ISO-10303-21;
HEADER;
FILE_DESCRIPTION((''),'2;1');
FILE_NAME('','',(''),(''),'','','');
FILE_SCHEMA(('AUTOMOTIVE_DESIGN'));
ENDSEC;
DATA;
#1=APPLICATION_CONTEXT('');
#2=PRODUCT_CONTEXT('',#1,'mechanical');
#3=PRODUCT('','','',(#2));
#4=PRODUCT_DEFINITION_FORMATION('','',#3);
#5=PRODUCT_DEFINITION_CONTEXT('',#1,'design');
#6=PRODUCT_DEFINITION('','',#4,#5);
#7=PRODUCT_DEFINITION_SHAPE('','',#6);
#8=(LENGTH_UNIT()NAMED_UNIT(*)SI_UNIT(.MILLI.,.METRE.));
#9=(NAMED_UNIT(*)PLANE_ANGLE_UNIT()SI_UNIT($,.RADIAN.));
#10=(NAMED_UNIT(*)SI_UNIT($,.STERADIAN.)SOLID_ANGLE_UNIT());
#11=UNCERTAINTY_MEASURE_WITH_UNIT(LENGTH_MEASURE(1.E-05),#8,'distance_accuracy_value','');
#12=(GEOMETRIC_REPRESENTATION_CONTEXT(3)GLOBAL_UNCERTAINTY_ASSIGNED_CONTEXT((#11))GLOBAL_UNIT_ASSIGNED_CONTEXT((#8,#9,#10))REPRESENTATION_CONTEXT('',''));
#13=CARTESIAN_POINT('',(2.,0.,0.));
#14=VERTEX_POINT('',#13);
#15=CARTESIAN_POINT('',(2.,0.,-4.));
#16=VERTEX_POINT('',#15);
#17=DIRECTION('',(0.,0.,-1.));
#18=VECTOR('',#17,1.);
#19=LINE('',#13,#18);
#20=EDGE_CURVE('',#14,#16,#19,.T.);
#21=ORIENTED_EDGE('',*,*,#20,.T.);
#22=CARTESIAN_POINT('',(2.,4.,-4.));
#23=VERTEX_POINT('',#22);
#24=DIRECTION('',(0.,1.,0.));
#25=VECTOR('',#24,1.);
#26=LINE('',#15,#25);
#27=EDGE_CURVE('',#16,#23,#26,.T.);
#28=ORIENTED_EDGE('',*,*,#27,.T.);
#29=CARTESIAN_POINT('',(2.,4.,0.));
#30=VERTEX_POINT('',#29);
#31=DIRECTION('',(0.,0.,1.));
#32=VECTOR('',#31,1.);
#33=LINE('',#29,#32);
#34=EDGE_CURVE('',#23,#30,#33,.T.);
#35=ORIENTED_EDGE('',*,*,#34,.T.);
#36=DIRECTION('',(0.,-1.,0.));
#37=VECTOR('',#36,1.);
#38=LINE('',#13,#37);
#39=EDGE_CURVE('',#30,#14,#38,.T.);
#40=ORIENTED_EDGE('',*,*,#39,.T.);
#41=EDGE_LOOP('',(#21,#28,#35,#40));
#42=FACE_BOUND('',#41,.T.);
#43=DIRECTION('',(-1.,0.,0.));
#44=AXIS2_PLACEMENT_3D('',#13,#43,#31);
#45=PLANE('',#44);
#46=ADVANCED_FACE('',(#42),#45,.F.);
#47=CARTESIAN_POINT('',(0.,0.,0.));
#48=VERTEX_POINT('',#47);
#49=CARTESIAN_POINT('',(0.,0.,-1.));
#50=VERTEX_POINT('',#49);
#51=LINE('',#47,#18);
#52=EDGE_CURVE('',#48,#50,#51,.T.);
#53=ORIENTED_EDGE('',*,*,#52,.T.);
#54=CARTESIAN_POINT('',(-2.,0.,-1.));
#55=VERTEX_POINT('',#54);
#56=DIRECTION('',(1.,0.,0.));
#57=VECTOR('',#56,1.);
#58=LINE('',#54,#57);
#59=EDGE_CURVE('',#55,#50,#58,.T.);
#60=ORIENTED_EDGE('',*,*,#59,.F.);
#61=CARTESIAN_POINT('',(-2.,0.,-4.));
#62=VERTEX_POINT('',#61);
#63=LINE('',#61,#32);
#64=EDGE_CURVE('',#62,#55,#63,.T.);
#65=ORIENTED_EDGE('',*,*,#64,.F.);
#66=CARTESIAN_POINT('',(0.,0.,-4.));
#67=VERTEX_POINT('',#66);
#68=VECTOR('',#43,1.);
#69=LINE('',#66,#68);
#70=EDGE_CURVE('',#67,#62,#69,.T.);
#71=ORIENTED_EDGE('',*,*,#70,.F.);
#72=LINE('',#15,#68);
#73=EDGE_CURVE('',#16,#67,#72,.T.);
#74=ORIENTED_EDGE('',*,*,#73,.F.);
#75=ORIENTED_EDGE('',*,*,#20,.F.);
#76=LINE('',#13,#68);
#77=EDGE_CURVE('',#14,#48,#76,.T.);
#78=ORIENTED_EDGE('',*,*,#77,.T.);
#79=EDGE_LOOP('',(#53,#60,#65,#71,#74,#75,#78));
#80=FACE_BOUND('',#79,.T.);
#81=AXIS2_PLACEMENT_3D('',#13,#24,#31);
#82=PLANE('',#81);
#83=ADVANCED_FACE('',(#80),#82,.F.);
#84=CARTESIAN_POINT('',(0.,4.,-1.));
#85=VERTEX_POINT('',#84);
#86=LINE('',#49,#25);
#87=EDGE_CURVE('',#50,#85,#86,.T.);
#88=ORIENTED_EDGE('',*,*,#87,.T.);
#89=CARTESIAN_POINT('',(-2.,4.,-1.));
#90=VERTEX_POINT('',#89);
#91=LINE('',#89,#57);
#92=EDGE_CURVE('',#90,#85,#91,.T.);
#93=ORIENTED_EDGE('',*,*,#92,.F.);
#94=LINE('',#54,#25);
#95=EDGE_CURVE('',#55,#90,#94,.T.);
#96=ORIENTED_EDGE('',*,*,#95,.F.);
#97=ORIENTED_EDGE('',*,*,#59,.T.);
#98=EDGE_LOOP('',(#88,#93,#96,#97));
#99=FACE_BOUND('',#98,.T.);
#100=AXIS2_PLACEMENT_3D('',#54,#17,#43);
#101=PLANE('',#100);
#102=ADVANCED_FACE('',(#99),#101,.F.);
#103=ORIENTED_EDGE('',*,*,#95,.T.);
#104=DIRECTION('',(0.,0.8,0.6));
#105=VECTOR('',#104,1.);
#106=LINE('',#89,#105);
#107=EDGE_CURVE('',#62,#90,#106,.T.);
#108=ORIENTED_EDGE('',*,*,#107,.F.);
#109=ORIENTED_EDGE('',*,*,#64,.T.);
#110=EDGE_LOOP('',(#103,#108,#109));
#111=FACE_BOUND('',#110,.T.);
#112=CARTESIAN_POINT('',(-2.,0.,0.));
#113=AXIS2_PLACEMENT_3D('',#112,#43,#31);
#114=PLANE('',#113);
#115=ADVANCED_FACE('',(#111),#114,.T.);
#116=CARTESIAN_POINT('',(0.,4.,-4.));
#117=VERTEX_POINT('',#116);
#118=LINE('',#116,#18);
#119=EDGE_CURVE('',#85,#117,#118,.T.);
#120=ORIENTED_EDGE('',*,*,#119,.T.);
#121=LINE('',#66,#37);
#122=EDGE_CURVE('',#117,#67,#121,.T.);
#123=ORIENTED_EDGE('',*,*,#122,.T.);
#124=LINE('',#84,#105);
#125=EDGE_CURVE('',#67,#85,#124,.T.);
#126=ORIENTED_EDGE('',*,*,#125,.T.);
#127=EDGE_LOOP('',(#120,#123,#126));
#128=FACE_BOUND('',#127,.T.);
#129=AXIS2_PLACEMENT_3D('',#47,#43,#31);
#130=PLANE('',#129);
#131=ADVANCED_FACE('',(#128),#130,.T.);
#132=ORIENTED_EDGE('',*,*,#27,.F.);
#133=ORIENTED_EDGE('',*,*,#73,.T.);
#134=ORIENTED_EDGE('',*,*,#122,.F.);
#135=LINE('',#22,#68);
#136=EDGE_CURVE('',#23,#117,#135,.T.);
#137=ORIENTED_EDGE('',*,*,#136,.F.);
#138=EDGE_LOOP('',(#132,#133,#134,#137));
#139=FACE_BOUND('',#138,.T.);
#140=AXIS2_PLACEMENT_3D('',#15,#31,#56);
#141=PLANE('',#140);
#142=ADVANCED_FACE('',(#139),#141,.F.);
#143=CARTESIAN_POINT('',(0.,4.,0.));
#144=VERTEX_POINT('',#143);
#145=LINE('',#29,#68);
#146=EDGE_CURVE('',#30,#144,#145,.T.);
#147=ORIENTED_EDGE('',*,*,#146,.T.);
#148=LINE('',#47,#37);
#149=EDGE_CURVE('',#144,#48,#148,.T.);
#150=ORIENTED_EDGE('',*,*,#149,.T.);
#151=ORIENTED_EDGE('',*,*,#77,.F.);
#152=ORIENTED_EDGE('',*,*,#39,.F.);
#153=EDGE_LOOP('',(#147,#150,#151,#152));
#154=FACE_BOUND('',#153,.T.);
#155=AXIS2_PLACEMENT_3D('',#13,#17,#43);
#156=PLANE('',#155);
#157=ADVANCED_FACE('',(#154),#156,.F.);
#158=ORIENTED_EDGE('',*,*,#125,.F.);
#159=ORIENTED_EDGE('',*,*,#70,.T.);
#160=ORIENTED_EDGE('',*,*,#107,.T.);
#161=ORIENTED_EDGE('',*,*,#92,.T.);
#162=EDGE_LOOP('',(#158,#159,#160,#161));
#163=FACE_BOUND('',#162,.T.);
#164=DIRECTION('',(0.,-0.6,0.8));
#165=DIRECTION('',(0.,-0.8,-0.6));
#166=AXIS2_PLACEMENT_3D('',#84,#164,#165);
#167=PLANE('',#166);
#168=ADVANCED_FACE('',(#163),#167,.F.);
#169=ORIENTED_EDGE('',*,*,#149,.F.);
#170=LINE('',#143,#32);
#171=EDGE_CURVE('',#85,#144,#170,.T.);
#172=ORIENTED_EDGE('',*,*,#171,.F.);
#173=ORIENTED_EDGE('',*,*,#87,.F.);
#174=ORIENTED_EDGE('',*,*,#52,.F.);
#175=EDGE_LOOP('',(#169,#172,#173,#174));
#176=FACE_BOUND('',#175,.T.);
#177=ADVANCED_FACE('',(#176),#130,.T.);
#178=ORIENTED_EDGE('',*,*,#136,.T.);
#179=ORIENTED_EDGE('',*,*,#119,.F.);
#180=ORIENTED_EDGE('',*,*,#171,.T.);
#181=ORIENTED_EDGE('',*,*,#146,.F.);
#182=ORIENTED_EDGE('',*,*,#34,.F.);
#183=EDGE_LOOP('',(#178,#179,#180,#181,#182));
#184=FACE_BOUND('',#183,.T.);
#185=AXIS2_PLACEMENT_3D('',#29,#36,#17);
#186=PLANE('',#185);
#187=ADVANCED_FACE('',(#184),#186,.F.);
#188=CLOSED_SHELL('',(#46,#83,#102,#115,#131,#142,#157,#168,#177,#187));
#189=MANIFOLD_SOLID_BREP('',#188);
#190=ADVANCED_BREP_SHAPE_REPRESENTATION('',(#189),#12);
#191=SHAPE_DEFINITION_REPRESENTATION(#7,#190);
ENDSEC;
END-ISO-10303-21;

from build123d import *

# Parameters (mm, degrees)
SKETCH1_W           = 4
SKETCH1_H           = 4
BOSS_EXTRUDE1_DEPTH = 2
SKETCH2_W           = 3
SKETCH2_H           = 4
BOSS_EXTRUDE2_DEPTH = 2
CUT_EXTRUDE1_DEPTH  = 2


with BuildPart() as part:
    # Sketch1 → Boss-Extrude1 (new body)
    with BuildSketch(Plane(origin=(0, 0, 0), x_dir=(0, 0, -1), z_dir=(1, 0, 0))):
        with Locations((2, 2)):
            Rectangle(SKETCH1_W, SKETCH1_H)
    extrude(amount=BOSS_EXTRUDE1_DEPTH)

    # Sketch2 → Boss-Extrude2 (add)
    with BuildSketch(Plane.ZY):
        with Locations((-2.5, 2)):
            Rectangle(SKETCH2_W, SKETCH2_H)
    extrude(amount=BOSS_EXTRUDE2_DEPTH)

    # Sketch3 → Cut-Extrude1 (cut)
    with BuildSketch(Plane.ZY.offset(2)):
        Polygon((-1, 4), (-4, 0), (-4, 4), align=None)
    extrude(amount=-CUT_EXTRUDE1_DEPTH, mode=Mode.SUBTRACT)


solid = part.part
